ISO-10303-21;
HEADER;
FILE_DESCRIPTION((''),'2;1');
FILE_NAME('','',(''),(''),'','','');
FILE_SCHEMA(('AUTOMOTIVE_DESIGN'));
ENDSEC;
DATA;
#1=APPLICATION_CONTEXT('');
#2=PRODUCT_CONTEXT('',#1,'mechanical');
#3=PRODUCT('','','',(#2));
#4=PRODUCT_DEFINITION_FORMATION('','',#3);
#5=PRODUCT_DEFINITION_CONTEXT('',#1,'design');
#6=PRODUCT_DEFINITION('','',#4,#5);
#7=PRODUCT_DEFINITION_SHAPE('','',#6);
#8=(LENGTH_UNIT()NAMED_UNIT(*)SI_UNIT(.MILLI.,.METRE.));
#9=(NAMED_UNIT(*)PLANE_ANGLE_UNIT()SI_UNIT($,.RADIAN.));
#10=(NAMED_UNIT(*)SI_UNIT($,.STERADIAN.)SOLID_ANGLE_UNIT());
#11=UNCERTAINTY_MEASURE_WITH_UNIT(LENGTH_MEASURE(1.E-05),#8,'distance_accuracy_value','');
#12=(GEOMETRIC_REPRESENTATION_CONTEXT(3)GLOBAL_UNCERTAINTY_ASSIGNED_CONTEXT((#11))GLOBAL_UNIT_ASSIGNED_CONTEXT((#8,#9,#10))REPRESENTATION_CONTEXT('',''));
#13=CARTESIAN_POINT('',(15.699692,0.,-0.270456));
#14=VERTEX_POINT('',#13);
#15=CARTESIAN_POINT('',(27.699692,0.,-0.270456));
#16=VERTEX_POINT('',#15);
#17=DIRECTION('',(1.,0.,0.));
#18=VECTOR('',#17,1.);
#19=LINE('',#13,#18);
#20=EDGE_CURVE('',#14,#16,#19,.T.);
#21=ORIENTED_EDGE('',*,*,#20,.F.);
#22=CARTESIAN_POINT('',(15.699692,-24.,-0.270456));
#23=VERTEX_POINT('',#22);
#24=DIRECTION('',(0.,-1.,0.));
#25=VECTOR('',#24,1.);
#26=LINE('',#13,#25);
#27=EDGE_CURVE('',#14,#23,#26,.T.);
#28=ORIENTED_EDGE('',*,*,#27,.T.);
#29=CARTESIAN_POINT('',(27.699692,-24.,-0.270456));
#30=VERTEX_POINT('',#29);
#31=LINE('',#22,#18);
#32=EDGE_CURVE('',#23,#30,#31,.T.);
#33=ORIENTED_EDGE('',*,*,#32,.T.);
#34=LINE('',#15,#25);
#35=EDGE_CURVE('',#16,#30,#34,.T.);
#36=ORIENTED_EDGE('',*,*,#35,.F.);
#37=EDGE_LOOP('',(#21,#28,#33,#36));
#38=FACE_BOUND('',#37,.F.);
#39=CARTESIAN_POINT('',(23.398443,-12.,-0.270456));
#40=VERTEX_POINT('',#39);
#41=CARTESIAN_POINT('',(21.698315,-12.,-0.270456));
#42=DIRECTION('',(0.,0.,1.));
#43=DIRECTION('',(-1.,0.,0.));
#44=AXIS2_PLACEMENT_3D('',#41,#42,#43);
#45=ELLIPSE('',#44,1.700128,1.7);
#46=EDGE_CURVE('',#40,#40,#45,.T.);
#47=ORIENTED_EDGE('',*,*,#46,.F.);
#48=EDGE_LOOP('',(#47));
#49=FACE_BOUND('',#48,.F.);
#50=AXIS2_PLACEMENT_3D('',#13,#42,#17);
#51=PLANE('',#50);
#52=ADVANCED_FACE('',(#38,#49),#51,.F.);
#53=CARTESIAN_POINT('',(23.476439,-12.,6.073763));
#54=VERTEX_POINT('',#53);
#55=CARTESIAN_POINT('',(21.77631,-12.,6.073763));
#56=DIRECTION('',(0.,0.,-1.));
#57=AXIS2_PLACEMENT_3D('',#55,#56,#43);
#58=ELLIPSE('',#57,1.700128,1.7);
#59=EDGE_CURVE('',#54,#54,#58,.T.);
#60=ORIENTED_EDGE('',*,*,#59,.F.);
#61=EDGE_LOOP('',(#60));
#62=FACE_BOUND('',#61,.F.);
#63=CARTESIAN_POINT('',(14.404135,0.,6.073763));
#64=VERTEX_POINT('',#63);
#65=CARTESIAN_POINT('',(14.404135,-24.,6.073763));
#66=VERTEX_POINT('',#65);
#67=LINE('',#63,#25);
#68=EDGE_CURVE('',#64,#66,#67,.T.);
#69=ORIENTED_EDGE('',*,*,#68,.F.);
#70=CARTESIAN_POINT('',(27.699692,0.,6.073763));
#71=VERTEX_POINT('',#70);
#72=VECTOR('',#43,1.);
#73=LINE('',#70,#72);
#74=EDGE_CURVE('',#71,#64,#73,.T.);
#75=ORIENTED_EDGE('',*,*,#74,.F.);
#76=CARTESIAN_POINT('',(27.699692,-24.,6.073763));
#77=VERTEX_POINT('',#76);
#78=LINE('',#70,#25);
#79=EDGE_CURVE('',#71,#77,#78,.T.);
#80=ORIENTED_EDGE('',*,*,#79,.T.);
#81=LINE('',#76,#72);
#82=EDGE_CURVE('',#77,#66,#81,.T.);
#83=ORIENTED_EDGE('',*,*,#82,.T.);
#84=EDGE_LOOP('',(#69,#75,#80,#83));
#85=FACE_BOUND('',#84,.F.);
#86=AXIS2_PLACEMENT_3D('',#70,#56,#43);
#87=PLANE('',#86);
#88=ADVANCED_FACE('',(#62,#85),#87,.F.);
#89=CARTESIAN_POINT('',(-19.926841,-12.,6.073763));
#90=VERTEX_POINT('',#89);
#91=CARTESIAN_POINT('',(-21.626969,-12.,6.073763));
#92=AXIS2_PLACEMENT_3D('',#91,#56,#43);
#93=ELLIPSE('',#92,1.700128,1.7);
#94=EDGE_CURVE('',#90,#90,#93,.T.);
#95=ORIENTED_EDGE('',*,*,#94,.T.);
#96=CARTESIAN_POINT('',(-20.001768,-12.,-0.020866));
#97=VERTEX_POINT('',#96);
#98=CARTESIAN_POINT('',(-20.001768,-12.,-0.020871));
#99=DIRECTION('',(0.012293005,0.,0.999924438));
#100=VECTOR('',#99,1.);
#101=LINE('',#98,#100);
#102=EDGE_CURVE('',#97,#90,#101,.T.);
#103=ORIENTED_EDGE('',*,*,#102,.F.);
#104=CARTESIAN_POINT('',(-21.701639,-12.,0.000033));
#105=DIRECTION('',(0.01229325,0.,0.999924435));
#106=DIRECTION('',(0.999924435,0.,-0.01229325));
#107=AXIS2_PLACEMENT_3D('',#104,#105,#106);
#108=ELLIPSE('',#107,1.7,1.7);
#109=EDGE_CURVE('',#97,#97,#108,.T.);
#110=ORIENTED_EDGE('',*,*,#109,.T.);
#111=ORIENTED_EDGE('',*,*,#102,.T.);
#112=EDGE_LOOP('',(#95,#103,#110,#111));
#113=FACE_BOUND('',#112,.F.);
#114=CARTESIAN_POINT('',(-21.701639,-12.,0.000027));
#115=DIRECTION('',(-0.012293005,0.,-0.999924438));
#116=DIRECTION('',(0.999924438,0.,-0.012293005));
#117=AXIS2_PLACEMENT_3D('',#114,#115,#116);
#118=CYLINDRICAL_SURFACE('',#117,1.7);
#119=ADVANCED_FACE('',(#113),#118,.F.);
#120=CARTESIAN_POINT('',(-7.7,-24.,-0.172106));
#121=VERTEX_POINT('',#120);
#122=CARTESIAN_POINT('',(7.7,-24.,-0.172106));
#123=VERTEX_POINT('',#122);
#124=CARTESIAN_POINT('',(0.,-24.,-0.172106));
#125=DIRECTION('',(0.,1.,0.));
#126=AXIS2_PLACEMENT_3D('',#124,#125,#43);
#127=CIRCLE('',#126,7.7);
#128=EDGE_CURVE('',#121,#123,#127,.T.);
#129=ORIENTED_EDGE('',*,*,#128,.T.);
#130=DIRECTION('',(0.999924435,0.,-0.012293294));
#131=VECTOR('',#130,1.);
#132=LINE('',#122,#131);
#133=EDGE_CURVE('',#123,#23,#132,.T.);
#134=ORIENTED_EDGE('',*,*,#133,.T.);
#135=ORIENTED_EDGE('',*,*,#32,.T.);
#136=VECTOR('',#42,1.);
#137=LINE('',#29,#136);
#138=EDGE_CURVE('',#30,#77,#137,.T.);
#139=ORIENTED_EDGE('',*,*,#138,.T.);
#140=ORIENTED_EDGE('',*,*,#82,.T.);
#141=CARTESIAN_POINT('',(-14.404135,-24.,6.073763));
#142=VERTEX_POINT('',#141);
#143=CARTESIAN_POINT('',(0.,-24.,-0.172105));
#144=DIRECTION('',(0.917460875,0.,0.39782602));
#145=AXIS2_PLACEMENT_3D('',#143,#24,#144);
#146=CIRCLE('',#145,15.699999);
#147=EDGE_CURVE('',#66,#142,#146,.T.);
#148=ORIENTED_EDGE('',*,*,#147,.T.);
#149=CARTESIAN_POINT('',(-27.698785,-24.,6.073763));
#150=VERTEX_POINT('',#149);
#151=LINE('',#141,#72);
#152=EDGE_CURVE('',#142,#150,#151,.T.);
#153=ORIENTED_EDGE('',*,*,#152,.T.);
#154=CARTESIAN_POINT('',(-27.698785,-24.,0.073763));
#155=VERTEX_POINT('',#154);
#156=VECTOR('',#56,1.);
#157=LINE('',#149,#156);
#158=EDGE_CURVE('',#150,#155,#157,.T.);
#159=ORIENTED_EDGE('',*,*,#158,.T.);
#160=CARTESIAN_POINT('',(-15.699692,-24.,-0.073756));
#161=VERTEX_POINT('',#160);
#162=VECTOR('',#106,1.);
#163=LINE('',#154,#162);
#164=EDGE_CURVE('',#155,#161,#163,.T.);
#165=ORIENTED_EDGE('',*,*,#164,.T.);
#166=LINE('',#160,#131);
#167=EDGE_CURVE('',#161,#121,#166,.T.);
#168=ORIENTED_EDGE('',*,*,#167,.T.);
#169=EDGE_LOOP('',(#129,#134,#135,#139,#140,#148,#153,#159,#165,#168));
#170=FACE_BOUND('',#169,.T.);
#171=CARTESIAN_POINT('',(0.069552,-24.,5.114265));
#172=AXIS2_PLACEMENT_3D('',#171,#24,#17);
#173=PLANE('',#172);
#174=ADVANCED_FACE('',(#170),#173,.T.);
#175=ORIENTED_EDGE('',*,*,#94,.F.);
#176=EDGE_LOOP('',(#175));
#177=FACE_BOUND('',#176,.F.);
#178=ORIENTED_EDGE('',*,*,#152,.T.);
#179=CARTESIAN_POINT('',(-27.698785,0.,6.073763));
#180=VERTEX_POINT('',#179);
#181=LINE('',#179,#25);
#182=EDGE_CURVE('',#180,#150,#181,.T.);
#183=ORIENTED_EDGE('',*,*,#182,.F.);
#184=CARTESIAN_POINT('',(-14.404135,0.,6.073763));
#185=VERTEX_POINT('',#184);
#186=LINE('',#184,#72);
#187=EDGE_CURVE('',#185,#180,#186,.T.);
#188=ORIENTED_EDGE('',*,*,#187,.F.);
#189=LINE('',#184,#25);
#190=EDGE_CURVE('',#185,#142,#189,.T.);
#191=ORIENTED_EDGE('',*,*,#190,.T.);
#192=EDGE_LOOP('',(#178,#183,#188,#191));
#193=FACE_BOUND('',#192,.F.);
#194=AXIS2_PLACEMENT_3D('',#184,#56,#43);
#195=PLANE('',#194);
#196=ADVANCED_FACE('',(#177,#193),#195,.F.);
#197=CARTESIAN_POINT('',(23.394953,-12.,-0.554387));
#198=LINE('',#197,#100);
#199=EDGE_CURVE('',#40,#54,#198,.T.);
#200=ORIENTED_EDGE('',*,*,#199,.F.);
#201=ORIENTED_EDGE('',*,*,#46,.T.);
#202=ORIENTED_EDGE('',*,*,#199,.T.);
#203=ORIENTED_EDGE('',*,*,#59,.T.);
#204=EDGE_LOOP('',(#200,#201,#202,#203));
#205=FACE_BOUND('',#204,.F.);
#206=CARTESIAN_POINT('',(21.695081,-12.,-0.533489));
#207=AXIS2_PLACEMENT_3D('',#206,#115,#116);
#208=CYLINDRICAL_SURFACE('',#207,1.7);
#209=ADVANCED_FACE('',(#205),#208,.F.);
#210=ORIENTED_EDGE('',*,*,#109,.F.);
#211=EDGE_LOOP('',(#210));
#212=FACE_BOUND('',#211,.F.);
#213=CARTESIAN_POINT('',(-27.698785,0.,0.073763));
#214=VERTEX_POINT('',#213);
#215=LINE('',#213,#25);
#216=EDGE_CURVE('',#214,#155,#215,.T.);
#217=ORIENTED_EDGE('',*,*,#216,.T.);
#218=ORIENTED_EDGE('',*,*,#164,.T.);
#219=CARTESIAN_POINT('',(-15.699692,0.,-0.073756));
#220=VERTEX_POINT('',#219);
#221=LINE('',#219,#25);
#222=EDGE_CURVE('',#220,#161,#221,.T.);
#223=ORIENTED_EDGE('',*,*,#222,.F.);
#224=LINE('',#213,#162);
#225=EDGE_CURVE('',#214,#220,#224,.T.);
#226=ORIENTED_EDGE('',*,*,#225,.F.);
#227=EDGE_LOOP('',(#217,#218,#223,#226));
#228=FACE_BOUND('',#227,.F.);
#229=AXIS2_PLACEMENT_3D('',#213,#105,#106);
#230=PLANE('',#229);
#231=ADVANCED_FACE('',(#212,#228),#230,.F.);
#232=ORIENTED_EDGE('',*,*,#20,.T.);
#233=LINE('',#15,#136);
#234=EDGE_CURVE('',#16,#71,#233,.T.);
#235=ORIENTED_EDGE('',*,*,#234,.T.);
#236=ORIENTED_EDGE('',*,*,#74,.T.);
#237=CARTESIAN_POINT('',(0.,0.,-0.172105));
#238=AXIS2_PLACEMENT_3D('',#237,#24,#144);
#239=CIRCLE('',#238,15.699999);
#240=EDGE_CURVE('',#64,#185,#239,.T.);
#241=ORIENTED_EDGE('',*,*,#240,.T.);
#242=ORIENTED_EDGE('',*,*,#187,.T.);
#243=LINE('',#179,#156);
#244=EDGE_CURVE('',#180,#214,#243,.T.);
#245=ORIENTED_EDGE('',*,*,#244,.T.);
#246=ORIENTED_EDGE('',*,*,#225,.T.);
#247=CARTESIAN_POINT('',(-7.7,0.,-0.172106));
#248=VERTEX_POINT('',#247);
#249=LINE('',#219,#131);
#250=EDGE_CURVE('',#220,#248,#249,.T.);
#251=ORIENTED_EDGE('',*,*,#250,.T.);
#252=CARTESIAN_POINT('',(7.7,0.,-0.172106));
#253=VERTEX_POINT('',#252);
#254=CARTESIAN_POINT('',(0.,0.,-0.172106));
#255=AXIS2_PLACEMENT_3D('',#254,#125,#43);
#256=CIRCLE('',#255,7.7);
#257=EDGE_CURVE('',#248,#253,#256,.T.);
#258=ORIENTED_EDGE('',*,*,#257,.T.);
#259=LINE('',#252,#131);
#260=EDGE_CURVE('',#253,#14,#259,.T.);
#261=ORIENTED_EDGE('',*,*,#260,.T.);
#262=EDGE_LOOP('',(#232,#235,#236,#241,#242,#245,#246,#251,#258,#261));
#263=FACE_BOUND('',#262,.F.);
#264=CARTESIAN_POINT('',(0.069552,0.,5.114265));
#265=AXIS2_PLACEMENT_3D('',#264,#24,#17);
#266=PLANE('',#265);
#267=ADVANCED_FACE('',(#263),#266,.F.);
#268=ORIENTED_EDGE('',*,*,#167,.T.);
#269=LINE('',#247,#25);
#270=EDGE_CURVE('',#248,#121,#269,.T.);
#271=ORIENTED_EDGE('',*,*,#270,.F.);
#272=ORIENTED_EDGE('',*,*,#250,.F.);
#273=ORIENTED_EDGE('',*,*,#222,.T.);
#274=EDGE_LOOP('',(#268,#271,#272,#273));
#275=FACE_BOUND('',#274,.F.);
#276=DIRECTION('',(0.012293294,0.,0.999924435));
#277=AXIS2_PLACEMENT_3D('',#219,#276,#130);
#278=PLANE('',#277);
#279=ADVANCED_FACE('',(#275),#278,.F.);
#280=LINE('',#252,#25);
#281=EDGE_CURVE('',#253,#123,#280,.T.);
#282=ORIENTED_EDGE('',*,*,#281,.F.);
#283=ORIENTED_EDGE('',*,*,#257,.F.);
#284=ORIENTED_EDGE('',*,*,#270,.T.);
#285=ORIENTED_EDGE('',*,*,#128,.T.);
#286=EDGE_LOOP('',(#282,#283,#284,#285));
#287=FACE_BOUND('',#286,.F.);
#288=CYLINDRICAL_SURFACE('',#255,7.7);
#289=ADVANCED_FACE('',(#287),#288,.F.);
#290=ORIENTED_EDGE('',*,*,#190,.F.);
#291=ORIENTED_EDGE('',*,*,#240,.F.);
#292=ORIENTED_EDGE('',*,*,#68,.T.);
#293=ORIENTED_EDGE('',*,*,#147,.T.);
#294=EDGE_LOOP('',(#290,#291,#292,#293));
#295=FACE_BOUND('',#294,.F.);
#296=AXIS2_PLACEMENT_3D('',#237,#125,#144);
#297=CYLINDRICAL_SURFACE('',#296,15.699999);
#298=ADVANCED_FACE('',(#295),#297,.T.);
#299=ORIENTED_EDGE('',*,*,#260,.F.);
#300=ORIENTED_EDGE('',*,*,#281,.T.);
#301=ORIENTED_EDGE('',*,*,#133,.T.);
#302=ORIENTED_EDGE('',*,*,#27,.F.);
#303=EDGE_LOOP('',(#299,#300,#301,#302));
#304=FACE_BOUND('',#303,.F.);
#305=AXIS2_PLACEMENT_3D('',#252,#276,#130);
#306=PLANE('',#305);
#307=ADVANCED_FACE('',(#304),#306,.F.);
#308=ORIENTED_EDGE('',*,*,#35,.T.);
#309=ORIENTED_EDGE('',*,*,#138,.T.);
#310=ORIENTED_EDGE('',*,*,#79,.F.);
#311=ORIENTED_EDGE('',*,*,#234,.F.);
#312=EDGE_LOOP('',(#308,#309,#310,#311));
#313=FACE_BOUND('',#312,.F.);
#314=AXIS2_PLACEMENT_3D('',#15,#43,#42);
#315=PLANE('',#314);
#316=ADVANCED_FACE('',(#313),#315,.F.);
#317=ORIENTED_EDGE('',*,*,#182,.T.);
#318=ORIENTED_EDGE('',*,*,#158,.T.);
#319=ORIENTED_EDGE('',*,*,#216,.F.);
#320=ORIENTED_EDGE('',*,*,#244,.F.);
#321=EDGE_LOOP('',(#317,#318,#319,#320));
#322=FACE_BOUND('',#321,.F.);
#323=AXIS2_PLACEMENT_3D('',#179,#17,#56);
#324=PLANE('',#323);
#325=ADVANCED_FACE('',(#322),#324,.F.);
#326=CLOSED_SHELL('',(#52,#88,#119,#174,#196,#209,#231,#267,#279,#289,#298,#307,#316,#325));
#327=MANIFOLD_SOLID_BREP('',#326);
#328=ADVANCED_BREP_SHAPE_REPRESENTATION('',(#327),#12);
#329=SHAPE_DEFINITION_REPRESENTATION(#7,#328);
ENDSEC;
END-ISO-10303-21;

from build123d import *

# Parameters (mm, degrees)
F1_DEPTH = 24
F2_R     = 1.7
F3_DEPTH = 25


with BuildPart() as f1:
    # F0 (on Front) → F1 (new body)
    with BuildSketch(Plane.XZ):
        with BuildLine():
            ThreePointArc((-7.7, -0.172106), (0, 7.527894), (7.7, -0.172106))
            Line((7.7, -0.172106), (15.699692, -0.270456))
            Line((15.699692, -0.270456), (27.699692, -0.270456))
            Line((27.699692, -0.270456), (27.699692, 6.073763))
            Line((27.699692, 6.073763), (14.404135, 6.073763))
            ThreePointArc((14.404135, 6.073763), (0, 15.527894), (-14.404135, 6.073763))
            Line((-14.404135, 6.073763), (-27.698785, 6.073763))
            Line((-27.698785, 6.073763), (-27.698785, 0.073763))
            Line((-27.698785, 0.073763), (-15.699692, -0.073756))
            Line((-15.699692, -0.073756), (-7.7, -0.172106))
        make_face()
    extrude(amount=F1_DEPTH)

    # F2 (on face) → F3 (cut)
    with BuildSketch(Plane(origin=(-0.003279, 0, -0.266731), x_dir=(0.999924, 0, -0.012293), z_dir=(-0.012293, 0, -0.999924))):
        with Locations((-21.7, 12)):
            Circle(F2_R)
        with Locations((21.7, 12)):
            Circle(F2_R)
    extrude(amount=-F3_DEPTH, mode=Mode.SUBTRACT)


solid = f1.part
